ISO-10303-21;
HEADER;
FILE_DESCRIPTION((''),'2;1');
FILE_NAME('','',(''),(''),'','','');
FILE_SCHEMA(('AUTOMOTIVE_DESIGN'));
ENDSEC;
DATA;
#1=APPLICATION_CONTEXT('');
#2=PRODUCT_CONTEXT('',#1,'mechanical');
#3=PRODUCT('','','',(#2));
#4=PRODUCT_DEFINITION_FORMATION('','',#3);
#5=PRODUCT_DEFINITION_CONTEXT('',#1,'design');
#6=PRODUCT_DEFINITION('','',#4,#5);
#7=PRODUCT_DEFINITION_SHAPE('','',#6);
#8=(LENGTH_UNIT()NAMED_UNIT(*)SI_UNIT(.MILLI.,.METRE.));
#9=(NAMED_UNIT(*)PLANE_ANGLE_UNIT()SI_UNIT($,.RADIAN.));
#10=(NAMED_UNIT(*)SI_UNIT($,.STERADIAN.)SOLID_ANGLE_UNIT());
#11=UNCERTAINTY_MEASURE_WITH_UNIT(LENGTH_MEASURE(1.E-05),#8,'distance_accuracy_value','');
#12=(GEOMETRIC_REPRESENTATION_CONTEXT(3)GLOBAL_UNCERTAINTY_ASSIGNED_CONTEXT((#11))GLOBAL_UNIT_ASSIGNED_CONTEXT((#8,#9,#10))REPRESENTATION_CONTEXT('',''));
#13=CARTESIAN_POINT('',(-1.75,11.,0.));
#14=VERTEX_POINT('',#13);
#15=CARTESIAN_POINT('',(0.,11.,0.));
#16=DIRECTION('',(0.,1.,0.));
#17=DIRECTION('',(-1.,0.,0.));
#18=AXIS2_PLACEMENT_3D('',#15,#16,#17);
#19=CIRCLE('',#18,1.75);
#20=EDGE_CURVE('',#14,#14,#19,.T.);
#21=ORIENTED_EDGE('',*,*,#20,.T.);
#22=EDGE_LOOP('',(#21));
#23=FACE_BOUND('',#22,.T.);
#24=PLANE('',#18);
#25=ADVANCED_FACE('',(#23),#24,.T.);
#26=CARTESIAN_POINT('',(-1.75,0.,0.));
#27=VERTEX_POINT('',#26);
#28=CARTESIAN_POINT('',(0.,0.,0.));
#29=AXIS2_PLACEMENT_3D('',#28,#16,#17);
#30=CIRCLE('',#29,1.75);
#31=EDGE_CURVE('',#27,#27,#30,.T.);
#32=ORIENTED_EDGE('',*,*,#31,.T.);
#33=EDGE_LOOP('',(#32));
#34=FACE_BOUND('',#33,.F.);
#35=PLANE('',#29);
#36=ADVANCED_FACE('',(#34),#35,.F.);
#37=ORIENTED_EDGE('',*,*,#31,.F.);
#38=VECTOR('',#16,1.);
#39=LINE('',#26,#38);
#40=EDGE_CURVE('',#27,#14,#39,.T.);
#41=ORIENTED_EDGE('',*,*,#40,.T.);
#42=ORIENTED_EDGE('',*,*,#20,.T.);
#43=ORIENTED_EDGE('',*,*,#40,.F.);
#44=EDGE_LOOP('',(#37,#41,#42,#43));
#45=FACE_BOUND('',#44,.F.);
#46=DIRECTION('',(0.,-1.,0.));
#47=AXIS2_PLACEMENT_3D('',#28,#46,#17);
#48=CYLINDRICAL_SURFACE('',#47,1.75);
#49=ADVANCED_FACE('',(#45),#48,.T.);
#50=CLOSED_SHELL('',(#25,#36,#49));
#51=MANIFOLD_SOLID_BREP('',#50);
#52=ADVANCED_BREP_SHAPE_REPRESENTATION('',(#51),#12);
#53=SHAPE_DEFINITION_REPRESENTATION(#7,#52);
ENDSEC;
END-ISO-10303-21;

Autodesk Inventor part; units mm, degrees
ref_plane "YZ Plane" through (0, 0, 0) normal (1, 0, 0) x (0, 1, 0)
ref_plane "XZ Plane" through (0, 0, 0) normal (0, 1, 0) x (-1, 0, 0)
ref_plane "XY Plane" through (0, 0, 0) normal (0, 0, 1) x (1, 0, 0)
sketch "Sketch1" plane through (0, 0, 0) normal (0, 1, 0) x (-1, 0, 0)
  circle A0 centre (0, 0) radius 1.75
  dimension "d0" = 3.5
extrude "Extrusion1" add sketch "Sketch1" along normal blind 11
properties part number "Purple"
